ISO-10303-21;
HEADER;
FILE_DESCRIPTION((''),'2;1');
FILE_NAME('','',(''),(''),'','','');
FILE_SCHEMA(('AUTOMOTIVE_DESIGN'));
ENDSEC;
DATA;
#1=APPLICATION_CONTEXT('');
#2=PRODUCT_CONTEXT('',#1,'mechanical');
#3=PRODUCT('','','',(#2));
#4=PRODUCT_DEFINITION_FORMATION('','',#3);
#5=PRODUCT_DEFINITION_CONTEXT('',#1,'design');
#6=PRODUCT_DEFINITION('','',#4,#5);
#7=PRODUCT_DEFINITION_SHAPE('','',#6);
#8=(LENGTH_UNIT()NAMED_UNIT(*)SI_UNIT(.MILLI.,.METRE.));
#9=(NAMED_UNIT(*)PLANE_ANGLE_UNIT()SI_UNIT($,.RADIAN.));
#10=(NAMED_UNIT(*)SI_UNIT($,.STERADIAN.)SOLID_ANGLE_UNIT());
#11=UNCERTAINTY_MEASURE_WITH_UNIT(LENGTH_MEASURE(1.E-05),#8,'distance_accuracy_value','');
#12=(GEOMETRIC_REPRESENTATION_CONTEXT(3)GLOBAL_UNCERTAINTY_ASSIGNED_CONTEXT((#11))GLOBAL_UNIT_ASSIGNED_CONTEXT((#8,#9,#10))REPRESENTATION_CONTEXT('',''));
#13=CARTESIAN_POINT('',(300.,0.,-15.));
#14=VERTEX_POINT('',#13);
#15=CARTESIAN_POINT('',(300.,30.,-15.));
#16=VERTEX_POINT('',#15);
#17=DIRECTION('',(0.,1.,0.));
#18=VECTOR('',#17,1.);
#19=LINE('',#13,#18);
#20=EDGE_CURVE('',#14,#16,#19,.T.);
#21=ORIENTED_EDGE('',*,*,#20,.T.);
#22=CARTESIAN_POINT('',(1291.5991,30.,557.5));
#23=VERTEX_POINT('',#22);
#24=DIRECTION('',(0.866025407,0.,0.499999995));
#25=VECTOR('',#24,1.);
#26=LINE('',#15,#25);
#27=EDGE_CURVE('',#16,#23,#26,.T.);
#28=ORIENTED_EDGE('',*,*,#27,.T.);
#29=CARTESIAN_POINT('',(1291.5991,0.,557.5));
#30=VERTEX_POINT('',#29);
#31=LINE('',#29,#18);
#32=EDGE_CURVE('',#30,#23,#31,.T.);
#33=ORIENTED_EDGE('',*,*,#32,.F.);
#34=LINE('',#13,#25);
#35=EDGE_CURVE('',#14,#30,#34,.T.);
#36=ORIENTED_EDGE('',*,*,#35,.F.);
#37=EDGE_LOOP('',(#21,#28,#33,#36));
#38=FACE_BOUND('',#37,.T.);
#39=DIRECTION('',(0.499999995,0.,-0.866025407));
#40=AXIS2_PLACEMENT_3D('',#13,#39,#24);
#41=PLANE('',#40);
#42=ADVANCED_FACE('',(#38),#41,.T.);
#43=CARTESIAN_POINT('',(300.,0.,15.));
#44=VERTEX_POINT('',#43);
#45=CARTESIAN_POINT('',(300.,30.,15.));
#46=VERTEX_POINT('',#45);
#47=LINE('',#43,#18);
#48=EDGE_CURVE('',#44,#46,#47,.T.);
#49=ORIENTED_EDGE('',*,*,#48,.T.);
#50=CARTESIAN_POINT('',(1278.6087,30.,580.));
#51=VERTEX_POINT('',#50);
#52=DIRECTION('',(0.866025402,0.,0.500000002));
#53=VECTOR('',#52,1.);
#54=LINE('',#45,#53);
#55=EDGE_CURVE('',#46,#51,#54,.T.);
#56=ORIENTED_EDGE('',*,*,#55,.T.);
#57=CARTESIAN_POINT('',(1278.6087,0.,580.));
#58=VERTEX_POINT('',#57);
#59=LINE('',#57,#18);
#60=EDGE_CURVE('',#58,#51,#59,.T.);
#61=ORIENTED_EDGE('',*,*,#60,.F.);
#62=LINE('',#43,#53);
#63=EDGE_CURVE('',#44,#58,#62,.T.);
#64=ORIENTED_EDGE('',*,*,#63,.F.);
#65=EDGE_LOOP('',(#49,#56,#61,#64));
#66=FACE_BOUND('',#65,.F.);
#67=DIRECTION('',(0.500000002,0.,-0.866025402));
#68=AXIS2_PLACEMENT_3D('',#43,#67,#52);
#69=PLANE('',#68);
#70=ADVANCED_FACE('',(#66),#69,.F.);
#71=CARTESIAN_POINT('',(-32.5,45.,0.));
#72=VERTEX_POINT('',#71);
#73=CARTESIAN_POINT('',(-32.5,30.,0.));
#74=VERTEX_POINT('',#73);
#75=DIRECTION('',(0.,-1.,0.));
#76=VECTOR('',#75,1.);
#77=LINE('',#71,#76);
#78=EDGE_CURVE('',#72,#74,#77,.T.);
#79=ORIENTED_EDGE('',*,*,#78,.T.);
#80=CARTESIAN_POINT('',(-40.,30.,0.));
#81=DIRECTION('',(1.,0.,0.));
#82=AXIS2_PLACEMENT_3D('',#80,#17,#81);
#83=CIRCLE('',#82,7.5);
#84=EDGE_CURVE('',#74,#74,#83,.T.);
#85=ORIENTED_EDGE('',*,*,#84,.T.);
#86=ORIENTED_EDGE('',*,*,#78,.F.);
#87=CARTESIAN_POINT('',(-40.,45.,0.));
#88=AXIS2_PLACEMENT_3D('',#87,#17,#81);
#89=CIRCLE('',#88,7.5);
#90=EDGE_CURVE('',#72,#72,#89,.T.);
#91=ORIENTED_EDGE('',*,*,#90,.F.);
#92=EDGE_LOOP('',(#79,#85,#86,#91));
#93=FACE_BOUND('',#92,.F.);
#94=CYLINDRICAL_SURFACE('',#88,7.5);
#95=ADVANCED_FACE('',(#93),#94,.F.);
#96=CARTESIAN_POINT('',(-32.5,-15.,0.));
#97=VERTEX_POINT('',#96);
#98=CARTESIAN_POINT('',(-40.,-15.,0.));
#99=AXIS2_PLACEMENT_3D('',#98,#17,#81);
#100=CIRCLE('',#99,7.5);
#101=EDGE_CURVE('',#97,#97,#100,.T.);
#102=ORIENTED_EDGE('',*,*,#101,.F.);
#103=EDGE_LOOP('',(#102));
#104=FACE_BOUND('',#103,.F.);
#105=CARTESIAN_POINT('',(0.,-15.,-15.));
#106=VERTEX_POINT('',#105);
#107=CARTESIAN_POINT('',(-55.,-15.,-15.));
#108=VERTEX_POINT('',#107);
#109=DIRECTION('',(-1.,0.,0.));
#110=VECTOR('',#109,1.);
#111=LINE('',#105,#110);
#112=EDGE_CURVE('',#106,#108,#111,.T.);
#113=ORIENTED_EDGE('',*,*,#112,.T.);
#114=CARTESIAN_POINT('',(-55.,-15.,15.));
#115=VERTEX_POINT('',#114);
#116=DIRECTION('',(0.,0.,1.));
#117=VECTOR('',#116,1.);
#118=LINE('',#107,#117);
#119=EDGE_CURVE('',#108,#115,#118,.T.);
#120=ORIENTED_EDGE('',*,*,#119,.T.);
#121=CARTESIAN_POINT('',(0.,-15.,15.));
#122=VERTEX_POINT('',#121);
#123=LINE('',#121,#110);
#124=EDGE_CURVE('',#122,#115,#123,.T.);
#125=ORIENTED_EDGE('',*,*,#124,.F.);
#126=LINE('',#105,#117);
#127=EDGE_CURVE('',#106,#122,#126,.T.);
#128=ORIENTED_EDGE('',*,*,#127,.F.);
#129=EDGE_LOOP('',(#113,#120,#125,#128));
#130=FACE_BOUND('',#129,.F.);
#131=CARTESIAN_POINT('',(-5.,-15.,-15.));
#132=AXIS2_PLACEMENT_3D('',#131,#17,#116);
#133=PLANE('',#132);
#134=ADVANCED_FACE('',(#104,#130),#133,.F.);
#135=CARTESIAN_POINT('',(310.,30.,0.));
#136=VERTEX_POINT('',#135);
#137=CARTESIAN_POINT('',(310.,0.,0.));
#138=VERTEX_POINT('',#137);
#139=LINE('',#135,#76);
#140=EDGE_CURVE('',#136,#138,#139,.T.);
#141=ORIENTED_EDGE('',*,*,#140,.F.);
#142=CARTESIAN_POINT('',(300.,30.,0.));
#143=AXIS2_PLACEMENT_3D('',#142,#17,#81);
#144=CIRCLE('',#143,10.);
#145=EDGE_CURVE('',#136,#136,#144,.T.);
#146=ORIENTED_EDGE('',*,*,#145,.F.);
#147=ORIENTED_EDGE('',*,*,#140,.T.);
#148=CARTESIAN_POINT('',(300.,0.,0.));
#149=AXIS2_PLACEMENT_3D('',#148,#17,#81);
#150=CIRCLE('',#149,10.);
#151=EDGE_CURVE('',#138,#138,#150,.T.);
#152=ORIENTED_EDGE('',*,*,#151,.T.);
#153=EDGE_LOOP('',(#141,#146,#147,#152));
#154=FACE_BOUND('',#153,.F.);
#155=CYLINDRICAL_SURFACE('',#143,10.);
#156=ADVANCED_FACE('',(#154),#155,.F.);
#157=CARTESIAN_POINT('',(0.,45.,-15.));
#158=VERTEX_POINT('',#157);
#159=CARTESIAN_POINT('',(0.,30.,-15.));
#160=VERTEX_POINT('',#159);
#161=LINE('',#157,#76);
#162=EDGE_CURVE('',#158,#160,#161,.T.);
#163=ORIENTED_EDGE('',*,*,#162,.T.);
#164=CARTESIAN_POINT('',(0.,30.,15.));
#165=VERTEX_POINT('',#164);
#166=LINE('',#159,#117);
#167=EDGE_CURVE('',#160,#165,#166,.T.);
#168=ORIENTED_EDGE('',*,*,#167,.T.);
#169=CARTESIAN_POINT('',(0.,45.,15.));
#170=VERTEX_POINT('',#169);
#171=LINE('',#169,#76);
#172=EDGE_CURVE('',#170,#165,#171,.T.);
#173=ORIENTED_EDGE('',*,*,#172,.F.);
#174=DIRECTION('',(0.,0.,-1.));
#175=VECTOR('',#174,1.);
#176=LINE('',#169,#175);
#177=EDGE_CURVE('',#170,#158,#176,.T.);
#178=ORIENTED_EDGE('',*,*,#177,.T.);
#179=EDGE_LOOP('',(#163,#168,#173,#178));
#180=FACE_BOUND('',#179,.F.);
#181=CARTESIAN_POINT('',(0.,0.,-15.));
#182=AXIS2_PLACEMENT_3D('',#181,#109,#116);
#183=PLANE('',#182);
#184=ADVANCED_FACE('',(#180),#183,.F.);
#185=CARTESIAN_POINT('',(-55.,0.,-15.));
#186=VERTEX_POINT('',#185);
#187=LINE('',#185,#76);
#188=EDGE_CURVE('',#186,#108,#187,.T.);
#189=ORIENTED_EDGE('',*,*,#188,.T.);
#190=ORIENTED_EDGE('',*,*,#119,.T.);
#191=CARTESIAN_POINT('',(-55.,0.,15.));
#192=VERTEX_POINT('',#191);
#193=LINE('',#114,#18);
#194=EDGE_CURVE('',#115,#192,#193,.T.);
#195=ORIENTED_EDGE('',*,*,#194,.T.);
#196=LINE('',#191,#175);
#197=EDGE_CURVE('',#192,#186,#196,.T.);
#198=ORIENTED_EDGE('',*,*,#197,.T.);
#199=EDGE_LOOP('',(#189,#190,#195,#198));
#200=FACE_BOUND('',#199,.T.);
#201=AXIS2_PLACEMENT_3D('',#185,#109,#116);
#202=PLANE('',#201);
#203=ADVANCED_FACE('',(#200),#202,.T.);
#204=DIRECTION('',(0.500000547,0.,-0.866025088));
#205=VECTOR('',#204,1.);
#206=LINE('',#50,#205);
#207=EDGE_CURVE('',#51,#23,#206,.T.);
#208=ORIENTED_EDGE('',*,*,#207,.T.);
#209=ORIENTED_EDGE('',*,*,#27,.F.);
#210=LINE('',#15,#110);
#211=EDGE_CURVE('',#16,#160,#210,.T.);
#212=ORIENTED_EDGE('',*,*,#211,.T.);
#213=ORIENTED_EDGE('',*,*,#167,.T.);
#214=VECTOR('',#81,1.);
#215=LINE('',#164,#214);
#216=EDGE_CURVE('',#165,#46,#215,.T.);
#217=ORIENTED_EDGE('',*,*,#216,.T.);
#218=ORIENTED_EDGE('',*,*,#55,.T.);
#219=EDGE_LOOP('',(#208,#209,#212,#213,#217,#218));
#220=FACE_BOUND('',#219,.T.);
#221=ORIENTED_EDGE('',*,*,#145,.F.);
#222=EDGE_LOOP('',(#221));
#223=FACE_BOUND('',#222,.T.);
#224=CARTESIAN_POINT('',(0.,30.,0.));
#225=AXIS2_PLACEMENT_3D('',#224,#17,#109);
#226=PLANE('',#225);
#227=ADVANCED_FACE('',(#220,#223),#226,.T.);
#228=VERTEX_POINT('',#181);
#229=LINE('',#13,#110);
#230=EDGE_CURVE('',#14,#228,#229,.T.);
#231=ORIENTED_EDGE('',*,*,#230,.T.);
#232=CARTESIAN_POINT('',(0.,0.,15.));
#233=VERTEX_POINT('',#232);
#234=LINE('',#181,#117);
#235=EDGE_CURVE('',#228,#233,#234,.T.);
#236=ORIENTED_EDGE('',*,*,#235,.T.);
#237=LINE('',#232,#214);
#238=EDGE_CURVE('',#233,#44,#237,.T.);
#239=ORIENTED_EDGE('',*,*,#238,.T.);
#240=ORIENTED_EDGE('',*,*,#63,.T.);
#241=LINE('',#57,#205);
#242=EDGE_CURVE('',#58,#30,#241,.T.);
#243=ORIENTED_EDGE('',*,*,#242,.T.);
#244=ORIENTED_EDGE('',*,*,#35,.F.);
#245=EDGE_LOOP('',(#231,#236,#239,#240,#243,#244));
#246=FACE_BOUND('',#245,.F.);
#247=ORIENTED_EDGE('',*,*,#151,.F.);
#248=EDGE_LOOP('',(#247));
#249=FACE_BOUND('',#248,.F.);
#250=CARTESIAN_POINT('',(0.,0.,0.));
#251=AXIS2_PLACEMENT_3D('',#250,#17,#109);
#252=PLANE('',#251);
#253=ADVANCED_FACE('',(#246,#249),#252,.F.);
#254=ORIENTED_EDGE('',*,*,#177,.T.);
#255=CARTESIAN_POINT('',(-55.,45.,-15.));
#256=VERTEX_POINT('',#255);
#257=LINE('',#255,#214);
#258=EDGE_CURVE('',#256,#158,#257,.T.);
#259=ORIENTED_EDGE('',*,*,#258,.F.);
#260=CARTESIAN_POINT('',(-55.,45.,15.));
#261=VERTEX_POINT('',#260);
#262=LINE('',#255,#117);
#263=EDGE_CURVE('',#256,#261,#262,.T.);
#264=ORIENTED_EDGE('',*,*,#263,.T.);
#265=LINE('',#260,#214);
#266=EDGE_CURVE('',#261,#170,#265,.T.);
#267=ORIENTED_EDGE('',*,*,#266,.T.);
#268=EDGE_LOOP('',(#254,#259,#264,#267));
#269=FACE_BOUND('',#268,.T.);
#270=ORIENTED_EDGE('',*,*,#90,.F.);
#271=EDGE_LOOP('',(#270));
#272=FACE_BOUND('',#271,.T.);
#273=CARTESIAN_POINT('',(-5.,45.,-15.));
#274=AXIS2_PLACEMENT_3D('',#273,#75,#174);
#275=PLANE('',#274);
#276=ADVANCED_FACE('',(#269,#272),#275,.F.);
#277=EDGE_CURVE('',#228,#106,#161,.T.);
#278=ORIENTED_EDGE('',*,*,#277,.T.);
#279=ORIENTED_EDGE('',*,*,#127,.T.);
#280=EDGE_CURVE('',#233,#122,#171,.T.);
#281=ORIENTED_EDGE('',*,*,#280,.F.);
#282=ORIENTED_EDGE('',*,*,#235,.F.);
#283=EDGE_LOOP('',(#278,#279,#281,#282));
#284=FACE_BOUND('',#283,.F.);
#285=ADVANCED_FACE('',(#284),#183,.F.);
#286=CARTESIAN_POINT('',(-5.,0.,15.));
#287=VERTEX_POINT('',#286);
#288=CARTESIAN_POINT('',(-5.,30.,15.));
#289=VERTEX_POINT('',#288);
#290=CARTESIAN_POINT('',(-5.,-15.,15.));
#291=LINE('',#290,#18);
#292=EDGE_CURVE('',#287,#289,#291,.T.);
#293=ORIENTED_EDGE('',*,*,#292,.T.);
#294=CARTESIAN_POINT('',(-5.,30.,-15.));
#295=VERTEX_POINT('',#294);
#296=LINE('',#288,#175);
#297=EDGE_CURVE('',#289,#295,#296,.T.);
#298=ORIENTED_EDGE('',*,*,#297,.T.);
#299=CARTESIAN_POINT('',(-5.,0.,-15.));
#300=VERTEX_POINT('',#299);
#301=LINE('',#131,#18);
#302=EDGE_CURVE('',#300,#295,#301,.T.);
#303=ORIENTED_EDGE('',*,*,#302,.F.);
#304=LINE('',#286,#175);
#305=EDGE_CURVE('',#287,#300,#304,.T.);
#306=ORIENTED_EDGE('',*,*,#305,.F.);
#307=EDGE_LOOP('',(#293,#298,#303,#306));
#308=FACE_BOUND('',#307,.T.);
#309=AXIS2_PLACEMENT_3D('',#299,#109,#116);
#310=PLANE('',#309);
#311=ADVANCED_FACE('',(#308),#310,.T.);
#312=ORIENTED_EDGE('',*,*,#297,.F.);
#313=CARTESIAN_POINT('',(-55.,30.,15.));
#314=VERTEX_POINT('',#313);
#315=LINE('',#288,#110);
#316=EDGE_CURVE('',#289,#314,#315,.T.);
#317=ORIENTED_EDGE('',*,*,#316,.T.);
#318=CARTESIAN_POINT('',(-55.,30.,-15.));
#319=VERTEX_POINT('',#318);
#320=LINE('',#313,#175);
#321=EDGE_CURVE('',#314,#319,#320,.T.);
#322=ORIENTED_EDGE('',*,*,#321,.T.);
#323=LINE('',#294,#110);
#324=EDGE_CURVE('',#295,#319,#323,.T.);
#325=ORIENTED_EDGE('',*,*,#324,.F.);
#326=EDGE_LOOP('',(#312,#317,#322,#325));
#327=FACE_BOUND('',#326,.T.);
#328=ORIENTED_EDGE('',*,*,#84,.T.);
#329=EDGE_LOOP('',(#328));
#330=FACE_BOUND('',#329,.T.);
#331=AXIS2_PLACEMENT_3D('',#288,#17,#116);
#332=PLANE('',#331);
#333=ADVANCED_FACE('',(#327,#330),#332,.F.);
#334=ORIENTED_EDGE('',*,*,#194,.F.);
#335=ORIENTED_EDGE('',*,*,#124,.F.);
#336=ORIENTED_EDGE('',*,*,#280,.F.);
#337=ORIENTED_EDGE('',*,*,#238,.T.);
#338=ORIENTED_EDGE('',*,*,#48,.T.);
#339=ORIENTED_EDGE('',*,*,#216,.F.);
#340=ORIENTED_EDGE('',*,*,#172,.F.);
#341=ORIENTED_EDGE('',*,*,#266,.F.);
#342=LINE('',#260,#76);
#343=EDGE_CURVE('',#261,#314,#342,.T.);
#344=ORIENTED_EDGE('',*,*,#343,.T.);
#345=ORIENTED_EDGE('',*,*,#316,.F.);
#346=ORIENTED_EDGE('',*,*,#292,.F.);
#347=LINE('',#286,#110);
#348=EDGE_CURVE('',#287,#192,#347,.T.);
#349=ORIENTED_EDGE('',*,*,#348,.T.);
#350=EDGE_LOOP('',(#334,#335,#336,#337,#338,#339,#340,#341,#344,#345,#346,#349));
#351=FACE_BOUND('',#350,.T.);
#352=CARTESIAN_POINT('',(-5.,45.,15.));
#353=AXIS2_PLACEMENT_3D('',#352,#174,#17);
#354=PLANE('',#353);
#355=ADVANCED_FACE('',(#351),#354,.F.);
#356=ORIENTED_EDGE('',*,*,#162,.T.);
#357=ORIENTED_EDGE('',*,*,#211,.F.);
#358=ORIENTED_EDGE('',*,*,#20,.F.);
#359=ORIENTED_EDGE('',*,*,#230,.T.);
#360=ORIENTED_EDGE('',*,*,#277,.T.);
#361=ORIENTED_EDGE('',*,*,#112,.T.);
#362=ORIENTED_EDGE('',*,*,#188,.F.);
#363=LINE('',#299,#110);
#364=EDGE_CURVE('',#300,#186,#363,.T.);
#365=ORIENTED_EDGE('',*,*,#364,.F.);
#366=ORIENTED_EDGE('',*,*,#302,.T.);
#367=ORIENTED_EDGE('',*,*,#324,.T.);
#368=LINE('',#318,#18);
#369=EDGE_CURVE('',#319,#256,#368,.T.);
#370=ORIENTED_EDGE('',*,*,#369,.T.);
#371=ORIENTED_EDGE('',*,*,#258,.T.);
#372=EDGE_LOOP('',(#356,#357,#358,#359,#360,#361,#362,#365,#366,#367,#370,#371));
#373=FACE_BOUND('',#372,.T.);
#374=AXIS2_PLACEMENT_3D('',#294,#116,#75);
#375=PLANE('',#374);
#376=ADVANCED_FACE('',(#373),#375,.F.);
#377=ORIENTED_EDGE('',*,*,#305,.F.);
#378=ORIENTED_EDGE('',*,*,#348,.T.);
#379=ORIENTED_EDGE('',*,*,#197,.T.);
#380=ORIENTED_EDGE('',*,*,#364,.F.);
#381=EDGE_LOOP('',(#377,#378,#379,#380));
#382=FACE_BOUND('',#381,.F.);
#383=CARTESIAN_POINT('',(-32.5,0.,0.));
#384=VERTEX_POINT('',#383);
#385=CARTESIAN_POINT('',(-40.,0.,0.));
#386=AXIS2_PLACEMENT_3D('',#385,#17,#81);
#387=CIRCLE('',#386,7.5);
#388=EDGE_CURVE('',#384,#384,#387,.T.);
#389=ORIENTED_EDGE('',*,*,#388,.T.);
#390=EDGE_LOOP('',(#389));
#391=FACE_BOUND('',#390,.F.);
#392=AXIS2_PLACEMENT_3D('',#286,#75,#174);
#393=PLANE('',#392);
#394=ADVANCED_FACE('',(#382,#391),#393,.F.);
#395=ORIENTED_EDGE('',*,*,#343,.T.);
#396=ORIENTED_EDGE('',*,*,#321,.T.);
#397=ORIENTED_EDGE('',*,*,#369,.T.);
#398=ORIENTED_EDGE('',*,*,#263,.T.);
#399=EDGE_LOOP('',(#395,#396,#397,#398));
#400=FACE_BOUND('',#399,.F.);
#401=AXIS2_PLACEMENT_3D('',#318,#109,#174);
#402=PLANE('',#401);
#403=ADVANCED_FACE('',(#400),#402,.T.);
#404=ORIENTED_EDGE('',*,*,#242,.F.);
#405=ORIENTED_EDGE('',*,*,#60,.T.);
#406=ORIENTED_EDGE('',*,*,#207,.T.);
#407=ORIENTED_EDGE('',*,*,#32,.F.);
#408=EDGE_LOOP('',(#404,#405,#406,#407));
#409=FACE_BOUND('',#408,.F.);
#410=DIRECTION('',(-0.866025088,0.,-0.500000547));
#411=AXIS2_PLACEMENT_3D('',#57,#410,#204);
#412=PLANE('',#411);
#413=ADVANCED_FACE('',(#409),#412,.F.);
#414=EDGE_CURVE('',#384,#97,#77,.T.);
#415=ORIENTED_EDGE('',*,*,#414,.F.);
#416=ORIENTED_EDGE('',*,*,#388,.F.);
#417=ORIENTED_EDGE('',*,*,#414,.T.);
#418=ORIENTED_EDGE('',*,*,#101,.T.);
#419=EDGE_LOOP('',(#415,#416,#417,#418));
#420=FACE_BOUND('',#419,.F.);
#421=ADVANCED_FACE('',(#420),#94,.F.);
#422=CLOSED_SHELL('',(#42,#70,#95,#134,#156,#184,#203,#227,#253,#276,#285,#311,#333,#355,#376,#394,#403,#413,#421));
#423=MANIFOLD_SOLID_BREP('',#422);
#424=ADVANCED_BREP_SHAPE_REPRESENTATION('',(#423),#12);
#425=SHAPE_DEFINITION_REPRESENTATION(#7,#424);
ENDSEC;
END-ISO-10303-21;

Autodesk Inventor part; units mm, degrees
ref_plane "YZ Plane" through (0, 0, 0) normal (1, 0, 0) x (0, 1, 0)
ref_plane "XY Plane" through (0, 0, 0) normal (0, 0, 1) x (1, 0, 0)
sketch "Szkic1" plane through (0, 0, 0) normal (0, 1, 0) x (-1, 0, 0)
  line L0 (0, 15) -> (-300, 15)
  line L1 (-300, 15) -> (-300, -15)
  line L2 (-300, -15) -> (0, -15)
  line L3 (0, -15) -> (0, 15)
  line L4 (-300, 15) -> (-1278.6087, 580)
  line L5 (-1278.6087, 580) -> (-1291.5991, 557.5)
  line L6 (-300, -15) -> (-1291.5991, 557.5)
  point P0 (0, 0)
  point P1 (0, 0)
  dimension "d0" = 300
  dimension "d1" = 30
  dimension "d2" = 150
  dimension "d3" = 1130
extrude "Wyciągnięcie proste1" add sketch "Szkic1" along normal blind 30
sketch "Szkic2" plane through (0, 30, 0) normal (0, 1, 0) x (1, 0, 0)
  circle A0 centre (300, 0) radius 10
  line L0 (300, 15) -> (0, 15) projected
  point P0 (0, 0)
  dimension "d6" = 20
  dimension "d7" = 15
extrude "Wyciągnięcie proste2" cut sketch "Szkic2" against normal through all
sketch "Szkic3" plane through (0, 0, -15) normal (-1, 0, 0) x (0, 0, 1)
  point P0 (15, 0)
sketch "Szkic4" plane through (0, 0, -15) normal (-1, 0, 0) x (0, 0, 1)
  line L0 (0, 0) -> (30, 0) projected
  line L1 (30, 0) -> (30, 30) projected
  line L2 (0, 30) -> (30, 30) projected
  line L3 (0, 0) -> (0, 30) projected
  line L4 (30, 45) -> (0, 45)
  line L5 (0, 45) -> (0, -15)
  line L6 (0, -15) -> (30, -15)
  line L7 (30, -15) -> (30, 45)
  line L8 (30, 45) -> (0, -15) construction
  line L9 (0, 45) -> (30, -15) construction
  point P0 (15, 0)
  point P1 (15, 15)
  dimension "d10" = 30
  dimension "d11" = 60
  dimension "d12" = 0
  dimension "d13" = 15
extrude "Wyciągnięcie proste3" add sketch "Szkic4" along normal blind 5
sketch "Szkic5" plane through (-5, 0, -15) normal (-1, 0, 0) x (0, 0, 1)
  line L0 (0, -15) -> (30, -15)
  line L1 (30, -15) -> (30, 0)
  line L2 (30, 0) -> (0, 0)
  line L3 (0, 0) -> (0, -15)
  point P0 (15, 0)
  dimension "d16" = 30
  dimension "d17" = 15
extrude "Wyciągnięcie proste4" add sketch "Szkic5" along normal blind 50
ref_plane "Płaszczyzna konstrukcyjna1" through (0, 15, 0) normal (0, 1, 0) x (-1, 0, 0)
mirror "Odbicie lustrzane1" about plane through (0, 15, 0) normal (0, 1, 0) of "Wyciągnięcie proste4"
sketch "Szkic6" plane through (0, 45, 15) normal (0, 1, 0) x (1, 0, 0)
  circle A0 centre (-40, 15) radius 7.5
  line L0 (-55, 30) -> (-55, 0) projected
  line L1 (0, 0) -> (0, 30) projected
  point P0 (0, 15)
  point P1 (0, 15)
  dimension "d21" = 15
  dimension "d22" = 15
extrude "Wyciągnięcie proste5" cut sketch "Szkic6" against normal through all
properties part number "3" material "Złote"
